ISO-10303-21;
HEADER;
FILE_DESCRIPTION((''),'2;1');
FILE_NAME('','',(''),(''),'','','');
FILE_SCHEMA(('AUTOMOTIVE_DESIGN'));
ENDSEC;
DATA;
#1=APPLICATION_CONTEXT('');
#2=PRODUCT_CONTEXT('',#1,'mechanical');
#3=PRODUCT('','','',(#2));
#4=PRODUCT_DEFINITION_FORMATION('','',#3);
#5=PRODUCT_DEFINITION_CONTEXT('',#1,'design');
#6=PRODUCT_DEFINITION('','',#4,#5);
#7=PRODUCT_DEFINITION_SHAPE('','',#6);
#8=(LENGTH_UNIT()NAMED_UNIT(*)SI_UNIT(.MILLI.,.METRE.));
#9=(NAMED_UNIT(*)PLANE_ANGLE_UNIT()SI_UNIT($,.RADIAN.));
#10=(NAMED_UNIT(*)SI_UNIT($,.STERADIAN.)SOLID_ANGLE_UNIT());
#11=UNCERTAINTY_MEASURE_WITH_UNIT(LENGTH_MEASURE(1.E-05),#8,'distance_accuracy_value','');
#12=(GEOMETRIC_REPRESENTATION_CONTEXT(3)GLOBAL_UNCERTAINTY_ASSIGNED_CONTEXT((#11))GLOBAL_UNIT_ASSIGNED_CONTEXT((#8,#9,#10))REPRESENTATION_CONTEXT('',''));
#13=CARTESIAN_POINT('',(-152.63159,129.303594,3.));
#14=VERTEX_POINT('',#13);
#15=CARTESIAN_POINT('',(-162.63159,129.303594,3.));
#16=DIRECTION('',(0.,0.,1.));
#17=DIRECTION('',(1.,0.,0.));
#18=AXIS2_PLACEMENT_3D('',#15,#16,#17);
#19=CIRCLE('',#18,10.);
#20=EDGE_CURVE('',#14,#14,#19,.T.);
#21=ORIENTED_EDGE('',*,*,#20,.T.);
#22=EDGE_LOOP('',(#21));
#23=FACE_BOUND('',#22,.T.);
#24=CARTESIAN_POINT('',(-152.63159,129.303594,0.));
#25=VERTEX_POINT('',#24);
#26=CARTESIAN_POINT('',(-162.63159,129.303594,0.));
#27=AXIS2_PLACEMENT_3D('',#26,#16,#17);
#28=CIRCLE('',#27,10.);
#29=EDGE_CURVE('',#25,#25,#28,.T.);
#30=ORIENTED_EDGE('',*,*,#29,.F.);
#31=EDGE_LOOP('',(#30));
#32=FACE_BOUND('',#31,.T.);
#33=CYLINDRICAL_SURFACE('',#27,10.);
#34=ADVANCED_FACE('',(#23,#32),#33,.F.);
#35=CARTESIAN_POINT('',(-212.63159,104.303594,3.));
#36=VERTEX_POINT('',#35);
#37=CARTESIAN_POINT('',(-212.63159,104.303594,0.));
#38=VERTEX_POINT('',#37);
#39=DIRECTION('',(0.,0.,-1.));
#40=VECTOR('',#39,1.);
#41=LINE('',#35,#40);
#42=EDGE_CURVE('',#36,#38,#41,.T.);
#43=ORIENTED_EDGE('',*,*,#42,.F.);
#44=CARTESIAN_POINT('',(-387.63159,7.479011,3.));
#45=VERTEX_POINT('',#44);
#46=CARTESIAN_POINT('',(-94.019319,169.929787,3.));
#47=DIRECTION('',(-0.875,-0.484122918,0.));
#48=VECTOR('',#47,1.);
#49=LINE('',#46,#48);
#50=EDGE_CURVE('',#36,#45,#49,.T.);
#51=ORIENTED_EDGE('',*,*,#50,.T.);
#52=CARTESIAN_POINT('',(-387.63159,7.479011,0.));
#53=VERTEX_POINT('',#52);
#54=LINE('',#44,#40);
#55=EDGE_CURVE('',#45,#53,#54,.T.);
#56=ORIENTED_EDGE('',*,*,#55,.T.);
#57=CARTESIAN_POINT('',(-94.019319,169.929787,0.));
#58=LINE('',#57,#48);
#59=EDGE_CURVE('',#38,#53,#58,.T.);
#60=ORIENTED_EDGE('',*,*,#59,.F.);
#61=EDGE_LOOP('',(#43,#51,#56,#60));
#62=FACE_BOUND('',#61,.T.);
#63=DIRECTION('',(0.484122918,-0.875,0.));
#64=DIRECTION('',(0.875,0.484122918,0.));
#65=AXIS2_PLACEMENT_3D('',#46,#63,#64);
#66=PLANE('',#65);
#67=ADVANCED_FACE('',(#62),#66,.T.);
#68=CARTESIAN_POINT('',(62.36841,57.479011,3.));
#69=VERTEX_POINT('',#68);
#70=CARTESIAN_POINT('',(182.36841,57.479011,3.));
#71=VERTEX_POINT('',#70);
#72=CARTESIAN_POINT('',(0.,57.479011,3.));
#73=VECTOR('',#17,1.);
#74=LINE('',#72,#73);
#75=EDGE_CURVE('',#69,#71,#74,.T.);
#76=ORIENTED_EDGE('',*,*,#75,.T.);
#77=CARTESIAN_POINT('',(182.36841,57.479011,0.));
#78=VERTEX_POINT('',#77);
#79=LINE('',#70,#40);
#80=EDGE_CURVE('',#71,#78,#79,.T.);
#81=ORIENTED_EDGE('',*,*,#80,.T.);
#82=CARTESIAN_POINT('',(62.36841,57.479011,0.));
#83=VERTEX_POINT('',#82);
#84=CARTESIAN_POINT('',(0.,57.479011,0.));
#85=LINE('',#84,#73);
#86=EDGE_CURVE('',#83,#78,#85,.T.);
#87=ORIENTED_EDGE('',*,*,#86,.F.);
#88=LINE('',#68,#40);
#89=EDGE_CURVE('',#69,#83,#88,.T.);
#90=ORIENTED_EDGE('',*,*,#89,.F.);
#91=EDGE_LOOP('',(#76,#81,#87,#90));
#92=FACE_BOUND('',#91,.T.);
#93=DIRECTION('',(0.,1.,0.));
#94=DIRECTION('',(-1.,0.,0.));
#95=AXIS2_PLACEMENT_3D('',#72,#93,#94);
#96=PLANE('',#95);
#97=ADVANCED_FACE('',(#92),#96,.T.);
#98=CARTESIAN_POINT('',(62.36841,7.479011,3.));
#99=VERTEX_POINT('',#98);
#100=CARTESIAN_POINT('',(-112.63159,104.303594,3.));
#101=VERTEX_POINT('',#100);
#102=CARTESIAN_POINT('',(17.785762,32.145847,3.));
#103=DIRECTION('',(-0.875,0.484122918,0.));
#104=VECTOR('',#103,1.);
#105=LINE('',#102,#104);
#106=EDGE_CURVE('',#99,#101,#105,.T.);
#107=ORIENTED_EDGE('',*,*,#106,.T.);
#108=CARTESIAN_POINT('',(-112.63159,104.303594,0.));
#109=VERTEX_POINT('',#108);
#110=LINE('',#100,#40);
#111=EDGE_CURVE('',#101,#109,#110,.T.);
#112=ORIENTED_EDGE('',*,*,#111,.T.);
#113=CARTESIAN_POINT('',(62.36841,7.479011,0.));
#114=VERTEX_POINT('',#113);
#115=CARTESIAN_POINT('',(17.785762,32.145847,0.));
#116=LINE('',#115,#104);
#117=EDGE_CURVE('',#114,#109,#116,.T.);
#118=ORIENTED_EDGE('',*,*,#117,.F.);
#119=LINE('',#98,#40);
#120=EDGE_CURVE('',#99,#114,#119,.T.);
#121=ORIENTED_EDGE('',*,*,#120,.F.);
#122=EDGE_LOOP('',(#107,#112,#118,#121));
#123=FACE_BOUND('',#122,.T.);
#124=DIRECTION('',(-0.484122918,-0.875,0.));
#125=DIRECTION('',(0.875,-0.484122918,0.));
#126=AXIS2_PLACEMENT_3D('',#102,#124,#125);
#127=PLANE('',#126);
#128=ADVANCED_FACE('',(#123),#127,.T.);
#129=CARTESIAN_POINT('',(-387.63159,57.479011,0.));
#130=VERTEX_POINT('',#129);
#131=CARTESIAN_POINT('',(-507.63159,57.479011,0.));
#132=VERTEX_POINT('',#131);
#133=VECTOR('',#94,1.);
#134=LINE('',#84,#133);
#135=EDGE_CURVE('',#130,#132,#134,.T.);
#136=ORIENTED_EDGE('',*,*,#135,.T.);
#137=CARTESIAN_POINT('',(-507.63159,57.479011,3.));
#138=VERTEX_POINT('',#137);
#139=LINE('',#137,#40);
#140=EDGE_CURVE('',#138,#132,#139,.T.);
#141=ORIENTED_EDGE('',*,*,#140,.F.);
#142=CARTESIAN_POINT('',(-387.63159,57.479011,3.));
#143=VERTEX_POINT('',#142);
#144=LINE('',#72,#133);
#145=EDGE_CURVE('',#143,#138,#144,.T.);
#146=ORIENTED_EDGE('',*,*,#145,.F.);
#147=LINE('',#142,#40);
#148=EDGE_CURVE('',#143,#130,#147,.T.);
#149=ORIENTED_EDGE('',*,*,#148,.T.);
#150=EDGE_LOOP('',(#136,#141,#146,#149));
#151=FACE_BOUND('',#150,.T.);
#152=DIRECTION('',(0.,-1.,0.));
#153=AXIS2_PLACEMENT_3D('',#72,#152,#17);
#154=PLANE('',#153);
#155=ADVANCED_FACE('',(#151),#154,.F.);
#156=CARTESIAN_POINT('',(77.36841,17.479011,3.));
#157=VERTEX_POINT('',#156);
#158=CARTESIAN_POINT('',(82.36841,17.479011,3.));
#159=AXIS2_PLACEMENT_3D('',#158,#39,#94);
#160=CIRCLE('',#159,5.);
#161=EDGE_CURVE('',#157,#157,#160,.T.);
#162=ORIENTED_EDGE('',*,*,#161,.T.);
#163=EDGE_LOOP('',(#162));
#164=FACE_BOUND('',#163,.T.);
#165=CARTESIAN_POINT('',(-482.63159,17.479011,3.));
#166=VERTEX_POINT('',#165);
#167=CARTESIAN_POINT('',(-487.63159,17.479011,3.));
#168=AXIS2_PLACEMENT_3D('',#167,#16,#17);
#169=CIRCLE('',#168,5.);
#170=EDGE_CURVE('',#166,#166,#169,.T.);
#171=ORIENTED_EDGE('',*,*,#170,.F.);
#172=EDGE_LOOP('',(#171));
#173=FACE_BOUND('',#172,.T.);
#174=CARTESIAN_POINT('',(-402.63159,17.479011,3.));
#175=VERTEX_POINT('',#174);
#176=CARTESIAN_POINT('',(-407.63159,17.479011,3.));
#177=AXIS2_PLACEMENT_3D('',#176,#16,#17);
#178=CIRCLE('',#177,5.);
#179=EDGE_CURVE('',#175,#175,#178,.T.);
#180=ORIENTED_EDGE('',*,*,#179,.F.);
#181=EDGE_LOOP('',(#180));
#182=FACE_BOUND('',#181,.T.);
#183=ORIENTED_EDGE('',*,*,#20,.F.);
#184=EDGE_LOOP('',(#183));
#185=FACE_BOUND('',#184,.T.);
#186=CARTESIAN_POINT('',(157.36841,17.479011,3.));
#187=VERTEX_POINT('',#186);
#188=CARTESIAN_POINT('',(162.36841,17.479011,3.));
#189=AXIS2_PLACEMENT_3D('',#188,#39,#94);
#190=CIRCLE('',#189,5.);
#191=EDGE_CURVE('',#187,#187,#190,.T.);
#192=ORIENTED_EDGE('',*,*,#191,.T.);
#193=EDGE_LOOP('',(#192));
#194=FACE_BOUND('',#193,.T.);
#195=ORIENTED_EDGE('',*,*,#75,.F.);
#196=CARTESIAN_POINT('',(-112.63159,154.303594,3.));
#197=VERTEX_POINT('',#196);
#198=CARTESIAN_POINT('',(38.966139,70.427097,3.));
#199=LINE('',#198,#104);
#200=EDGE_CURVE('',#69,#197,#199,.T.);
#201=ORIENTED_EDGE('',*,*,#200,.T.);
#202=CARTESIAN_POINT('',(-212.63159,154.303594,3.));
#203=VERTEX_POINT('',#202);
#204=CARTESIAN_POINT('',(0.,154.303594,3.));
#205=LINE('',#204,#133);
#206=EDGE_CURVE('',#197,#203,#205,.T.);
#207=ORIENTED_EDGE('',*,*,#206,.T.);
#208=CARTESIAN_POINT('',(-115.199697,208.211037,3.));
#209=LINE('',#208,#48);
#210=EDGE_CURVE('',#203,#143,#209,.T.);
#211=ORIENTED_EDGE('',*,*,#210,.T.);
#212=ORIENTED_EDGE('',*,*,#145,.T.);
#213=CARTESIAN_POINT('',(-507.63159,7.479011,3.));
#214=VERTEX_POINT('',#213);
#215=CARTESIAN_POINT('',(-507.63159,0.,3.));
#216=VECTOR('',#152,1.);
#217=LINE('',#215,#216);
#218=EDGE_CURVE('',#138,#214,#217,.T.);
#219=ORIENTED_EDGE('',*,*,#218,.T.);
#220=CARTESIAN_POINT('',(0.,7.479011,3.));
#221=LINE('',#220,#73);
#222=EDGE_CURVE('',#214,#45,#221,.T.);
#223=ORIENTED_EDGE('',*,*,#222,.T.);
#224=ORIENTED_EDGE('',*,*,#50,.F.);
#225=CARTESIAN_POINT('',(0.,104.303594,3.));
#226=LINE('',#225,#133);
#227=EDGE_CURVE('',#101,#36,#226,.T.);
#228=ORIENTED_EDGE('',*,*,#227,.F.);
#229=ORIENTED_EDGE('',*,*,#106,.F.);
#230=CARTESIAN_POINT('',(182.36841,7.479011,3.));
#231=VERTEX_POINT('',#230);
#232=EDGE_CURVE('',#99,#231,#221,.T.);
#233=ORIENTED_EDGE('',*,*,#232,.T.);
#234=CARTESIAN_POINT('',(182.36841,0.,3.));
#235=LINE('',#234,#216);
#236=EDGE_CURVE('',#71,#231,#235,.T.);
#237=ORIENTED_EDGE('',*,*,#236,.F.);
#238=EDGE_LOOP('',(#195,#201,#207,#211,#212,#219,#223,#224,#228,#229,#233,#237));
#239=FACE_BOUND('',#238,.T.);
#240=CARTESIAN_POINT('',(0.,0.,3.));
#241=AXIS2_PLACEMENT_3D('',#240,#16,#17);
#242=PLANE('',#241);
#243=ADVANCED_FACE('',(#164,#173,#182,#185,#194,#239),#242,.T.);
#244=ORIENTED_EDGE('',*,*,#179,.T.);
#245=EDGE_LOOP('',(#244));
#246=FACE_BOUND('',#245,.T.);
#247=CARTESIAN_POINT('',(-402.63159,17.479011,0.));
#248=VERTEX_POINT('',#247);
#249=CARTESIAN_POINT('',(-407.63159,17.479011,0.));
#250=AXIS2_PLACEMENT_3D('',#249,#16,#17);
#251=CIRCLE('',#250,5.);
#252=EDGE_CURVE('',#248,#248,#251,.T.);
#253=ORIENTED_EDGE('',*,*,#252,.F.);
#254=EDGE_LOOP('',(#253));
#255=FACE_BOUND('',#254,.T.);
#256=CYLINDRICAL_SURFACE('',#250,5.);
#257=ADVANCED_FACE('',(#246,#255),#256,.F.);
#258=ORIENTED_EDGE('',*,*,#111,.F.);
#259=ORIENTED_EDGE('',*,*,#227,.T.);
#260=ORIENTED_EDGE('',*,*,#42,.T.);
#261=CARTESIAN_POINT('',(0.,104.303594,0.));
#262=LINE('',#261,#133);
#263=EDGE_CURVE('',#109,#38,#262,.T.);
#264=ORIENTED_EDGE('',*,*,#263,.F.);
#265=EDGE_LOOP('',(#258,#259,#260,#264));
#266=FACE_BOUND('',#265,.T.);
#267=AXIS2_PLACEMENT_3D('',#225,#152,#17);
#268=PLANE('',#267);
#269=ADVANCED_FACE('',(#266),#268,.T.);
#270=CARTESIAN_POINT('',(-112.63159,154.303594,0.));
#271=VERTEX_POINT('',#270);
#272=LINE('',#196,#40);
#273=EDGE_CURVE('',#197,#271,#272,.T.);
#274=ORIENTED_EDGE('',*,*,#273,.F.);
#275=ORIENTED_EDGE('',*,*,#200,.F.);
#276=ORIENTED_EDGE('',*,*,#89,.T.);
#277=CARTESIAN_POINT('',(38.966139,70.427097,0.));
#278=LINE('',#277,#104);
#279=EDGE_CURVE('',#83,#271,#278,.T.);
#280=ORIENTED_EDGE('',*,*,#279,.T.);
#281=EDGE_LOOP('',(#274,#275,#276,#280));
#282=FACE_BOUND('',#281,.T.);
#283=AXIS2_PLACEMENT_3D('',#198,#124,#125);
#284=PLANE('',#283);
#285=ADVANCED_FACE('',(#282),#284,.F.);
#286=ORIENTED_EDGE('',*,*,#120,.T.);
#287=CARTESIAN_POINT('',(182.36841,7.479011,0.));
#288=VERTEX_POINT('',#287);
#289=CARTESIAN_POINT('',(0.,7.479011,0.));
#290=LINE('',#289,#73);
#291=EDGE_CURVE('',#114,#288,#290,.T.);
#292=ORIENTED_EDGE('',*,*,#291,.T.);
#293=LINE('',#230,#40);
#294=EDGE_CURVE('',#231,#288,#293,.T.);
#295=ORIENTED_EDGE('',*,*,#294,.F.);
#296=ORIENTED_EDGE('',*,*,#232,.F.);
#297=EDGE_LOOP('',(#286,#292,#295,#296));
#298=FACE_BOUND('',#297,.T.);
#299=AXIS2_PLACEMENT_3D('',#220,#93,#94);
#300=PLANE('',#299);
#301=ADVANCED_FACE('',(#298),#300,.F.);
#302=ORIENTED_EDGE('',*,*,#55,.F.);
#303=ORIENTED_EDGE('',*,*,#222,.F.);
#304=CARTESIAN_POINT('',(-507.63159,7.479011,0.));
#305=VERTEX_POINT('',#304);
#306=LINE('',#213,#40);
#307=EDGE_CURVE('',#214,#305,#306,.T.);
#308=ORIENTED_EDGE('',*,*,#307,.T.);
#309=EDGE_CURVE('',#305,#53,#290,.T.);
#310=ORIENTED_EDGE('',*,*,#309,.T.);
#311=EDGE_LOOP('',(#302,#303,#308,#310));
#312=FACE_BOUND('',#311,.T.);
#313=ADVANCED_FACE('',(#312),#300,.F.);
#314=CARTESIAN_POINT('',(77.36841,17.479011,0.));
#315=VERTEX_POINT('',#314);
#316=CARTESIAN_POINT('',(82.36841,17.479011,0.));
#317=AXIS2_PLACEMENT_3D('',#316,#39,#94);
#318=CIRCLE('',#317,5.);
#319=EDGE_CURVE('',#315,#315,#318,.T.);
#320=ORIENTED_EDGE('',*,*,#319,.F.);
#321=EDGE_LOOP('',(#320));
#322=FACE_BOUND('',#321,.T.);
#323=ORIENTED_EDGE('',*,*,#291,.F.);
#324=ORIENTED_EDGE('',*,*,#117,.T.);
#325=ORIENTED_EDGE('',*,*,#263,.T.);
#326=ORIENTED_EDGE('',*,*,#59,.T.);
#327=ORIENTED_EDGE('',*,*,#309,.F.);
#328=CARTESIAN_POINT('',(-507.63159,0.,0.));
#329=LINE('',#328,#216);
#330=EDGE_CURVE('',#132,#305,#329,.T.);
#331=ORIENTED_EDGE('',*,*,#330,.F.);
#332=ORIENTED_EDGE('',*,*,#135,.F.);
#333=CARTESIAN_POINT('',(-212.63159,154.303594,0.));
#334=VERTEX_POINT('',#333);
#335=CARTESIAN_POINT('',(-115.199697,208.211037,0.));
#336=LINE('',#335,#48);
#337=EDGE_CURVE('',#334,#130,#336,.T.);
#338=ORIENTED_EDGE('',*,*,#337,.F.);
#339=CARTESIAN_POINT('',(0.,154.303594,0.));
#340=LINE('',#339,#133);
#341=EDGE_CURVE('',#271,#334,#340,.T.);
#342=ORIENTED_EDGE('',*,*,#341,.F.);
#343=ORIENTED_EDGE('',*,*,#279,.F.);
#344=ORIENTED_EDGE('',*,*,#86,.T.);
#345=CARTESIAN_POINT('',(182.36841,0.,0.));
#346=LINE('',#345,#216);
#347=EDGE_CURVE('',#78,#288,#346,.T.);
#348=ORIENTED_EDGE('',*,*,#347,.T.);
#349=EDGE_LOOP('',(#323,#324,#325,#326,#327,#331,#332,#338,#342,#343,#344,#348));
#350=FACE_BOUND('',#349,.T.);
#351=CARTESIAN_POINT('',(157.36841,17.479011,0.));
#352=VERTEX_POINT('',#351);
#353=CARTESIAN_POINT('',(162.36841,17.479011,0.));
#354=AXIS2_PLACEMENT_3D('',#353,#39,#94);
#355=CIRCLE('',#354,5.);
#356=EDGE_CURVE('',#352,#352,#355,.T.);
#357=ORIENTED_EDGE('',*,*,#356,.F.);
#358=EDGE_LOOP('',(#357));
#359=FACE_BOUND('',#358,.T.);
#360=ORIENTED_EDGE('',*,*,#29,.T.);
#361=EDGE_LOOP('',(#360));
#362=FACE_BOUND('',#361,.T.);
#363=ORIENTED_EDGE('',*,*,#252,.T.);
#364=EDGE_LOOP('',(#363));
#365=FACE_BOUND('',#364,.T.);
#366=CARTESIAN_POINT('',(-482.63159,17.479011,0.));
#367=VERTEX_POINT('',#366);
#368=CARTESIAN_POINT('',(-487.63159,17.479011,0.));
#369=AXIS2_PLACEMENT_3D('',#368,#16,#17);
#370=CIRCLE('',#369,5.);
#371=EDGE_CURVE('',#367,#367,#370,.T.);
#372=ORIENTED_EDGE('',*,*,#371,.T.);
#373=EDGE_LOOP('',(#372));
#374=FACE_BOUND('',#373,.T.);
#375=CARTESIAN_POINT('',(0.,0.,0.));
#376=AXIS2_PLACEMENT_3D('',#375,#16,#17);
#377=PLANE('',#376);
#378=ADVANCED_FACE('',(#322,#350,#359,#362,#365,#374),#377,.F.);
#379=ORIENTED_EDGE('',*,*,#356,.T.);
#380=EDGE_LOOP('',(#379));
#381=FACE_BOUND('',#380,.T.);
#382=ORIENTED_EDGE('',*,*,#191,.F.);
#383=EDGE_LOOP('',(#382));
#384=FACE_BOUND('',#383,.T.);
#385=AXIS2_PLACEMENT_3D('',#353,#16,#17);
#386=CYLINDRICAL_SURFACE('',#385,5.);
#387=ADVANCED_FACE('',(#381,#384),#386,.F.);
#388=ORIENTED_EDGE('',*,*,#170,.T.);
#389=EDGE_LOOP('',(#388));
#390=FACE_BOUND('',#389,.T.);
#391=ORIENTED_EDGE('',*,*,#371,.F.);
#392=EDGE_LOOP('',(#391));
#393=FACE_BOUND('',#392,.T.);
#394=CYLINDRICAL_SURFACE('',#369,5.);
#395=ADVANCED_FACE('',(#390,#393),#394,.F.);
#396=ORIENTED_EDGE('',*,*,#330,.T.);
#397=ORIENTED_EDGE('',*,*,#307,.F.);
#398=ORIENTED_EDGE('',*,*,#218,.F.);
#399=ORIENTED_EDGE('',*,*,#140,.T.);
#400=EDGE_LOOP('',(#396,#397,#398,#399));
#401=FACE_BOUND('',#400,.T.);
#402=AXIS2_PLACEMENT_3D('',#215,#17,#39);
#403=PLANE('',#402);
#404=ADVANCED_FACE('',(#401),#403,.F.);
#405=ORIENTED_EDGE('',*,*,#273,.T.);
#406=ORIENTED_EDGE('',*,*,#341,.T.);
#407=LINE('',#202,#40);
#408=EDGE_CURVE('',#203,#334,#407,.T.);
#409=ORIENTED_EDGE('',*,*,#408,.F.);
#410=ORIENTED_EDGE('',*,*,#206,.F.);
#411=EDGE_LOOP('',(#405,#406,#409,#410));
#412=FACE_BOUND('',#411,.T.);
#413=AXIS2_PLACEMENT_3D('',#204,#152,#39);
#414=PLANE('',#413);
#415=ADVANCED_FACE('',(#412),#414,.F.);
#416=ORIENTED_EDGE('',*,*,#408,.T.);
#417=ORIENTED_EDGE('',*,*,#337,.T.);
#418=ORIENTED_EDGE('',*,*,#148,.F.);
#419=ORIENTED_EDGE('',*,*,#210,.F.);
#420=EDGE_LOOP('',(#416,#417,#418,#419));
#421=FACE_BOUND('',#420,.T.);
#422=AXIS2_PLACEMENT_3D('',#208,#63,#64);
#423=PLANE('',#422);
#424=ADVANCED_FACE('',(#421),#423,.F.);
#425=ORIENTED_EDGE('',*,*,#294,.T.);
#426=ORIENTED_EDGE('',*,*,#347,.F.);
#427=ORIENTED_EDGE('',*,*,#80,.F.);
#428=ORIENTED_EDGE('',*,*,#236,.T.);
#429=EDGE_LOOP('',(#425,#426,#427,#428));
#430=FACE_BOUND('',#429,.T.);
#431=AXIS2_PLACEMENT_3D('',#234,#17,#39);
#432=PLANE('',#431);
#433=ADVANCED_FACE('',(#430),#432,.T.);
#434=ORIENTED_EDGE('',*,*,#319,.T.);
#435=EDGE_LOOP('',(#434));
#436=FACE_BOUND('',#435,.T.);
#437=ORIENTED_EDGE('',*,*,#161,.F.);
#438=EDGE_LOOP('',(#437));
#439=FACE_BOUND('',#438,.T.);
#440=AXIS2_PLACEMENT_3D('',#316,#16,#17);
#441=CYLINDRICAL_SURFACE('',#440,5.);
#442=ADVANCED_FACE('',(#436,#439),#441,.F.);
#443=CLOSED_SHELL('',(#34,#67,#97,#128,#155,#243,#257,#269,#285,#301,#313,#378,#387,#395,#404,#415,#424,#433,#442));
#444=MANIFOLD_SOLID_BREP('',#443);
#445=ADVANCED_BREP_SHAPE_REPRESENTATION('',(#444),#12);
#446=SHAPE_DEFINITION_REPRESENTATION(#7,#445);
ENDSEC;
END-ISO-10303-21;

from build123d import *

# Parameters (mm, degrees)
SKETCH1_W           = 120
SKETCH1_H           = 50
BOSS_EXTRUDE1_DEPTH = 3
SKETCH2_R           = 5
SKETCH2_R_2         = 10
CUT_EXTRUDE1_DEPTH  = 531.57368012


with BuildPart() as part:
    # Sketch1 → Boss-Extrude1 (new body)
    with BuildSketch(Plane.XY):
        with Locations((122.368410373, 32.479010759)):
            Rectangle(SKETCH1_W, SKETCH1_H)
        Polygon((-387.631589627, 7.479010759), (-387.631589627, 57.479010759), (-212.631589627, 154.303594414), (-112.631589627, 154.303594414), (62.368410373, 57.479010759), (62.368410373, 7.479010759), (-112.631589627, 104.303594414), (-212.631589627, 104.303594414), align=None)
        with Locations((-447.631589627, 32.479010759)):
            Rectangle(SKETCH1_W, SKETCH1_H)
    extrude(amount=BOSS_EXTRUDE1_DEPTH)

    # Sketch2 → Cut-Extrude1 (cut, through all)
    with BuildSketch(Plane.XY.offset(3)):
        with Locations((-487.631589627, 17.479010759)):
            Circle(SKETCH2_R)
        with Locations((-407.631589627, 17.479010759)):
            Circle(SKETCH2_R)
        with Locations(Location((82.368410373, 17.479010759, 0), (0, 0, 180))):
            Circle(SKETCH2_R)
        with Locations(Location((162.368410373, 17.479010759, 0), (0, 0, 180))):
            Circle(SKETCH2_R)
        with Locations((-162.631589627, 129.303594414)):
            Circle(SKETCH2_R_2)
    extrude(amount=-CUT_EXTRUDE1_DEPTH, mode=Mode.SUBTRACT)


solid = part.part
